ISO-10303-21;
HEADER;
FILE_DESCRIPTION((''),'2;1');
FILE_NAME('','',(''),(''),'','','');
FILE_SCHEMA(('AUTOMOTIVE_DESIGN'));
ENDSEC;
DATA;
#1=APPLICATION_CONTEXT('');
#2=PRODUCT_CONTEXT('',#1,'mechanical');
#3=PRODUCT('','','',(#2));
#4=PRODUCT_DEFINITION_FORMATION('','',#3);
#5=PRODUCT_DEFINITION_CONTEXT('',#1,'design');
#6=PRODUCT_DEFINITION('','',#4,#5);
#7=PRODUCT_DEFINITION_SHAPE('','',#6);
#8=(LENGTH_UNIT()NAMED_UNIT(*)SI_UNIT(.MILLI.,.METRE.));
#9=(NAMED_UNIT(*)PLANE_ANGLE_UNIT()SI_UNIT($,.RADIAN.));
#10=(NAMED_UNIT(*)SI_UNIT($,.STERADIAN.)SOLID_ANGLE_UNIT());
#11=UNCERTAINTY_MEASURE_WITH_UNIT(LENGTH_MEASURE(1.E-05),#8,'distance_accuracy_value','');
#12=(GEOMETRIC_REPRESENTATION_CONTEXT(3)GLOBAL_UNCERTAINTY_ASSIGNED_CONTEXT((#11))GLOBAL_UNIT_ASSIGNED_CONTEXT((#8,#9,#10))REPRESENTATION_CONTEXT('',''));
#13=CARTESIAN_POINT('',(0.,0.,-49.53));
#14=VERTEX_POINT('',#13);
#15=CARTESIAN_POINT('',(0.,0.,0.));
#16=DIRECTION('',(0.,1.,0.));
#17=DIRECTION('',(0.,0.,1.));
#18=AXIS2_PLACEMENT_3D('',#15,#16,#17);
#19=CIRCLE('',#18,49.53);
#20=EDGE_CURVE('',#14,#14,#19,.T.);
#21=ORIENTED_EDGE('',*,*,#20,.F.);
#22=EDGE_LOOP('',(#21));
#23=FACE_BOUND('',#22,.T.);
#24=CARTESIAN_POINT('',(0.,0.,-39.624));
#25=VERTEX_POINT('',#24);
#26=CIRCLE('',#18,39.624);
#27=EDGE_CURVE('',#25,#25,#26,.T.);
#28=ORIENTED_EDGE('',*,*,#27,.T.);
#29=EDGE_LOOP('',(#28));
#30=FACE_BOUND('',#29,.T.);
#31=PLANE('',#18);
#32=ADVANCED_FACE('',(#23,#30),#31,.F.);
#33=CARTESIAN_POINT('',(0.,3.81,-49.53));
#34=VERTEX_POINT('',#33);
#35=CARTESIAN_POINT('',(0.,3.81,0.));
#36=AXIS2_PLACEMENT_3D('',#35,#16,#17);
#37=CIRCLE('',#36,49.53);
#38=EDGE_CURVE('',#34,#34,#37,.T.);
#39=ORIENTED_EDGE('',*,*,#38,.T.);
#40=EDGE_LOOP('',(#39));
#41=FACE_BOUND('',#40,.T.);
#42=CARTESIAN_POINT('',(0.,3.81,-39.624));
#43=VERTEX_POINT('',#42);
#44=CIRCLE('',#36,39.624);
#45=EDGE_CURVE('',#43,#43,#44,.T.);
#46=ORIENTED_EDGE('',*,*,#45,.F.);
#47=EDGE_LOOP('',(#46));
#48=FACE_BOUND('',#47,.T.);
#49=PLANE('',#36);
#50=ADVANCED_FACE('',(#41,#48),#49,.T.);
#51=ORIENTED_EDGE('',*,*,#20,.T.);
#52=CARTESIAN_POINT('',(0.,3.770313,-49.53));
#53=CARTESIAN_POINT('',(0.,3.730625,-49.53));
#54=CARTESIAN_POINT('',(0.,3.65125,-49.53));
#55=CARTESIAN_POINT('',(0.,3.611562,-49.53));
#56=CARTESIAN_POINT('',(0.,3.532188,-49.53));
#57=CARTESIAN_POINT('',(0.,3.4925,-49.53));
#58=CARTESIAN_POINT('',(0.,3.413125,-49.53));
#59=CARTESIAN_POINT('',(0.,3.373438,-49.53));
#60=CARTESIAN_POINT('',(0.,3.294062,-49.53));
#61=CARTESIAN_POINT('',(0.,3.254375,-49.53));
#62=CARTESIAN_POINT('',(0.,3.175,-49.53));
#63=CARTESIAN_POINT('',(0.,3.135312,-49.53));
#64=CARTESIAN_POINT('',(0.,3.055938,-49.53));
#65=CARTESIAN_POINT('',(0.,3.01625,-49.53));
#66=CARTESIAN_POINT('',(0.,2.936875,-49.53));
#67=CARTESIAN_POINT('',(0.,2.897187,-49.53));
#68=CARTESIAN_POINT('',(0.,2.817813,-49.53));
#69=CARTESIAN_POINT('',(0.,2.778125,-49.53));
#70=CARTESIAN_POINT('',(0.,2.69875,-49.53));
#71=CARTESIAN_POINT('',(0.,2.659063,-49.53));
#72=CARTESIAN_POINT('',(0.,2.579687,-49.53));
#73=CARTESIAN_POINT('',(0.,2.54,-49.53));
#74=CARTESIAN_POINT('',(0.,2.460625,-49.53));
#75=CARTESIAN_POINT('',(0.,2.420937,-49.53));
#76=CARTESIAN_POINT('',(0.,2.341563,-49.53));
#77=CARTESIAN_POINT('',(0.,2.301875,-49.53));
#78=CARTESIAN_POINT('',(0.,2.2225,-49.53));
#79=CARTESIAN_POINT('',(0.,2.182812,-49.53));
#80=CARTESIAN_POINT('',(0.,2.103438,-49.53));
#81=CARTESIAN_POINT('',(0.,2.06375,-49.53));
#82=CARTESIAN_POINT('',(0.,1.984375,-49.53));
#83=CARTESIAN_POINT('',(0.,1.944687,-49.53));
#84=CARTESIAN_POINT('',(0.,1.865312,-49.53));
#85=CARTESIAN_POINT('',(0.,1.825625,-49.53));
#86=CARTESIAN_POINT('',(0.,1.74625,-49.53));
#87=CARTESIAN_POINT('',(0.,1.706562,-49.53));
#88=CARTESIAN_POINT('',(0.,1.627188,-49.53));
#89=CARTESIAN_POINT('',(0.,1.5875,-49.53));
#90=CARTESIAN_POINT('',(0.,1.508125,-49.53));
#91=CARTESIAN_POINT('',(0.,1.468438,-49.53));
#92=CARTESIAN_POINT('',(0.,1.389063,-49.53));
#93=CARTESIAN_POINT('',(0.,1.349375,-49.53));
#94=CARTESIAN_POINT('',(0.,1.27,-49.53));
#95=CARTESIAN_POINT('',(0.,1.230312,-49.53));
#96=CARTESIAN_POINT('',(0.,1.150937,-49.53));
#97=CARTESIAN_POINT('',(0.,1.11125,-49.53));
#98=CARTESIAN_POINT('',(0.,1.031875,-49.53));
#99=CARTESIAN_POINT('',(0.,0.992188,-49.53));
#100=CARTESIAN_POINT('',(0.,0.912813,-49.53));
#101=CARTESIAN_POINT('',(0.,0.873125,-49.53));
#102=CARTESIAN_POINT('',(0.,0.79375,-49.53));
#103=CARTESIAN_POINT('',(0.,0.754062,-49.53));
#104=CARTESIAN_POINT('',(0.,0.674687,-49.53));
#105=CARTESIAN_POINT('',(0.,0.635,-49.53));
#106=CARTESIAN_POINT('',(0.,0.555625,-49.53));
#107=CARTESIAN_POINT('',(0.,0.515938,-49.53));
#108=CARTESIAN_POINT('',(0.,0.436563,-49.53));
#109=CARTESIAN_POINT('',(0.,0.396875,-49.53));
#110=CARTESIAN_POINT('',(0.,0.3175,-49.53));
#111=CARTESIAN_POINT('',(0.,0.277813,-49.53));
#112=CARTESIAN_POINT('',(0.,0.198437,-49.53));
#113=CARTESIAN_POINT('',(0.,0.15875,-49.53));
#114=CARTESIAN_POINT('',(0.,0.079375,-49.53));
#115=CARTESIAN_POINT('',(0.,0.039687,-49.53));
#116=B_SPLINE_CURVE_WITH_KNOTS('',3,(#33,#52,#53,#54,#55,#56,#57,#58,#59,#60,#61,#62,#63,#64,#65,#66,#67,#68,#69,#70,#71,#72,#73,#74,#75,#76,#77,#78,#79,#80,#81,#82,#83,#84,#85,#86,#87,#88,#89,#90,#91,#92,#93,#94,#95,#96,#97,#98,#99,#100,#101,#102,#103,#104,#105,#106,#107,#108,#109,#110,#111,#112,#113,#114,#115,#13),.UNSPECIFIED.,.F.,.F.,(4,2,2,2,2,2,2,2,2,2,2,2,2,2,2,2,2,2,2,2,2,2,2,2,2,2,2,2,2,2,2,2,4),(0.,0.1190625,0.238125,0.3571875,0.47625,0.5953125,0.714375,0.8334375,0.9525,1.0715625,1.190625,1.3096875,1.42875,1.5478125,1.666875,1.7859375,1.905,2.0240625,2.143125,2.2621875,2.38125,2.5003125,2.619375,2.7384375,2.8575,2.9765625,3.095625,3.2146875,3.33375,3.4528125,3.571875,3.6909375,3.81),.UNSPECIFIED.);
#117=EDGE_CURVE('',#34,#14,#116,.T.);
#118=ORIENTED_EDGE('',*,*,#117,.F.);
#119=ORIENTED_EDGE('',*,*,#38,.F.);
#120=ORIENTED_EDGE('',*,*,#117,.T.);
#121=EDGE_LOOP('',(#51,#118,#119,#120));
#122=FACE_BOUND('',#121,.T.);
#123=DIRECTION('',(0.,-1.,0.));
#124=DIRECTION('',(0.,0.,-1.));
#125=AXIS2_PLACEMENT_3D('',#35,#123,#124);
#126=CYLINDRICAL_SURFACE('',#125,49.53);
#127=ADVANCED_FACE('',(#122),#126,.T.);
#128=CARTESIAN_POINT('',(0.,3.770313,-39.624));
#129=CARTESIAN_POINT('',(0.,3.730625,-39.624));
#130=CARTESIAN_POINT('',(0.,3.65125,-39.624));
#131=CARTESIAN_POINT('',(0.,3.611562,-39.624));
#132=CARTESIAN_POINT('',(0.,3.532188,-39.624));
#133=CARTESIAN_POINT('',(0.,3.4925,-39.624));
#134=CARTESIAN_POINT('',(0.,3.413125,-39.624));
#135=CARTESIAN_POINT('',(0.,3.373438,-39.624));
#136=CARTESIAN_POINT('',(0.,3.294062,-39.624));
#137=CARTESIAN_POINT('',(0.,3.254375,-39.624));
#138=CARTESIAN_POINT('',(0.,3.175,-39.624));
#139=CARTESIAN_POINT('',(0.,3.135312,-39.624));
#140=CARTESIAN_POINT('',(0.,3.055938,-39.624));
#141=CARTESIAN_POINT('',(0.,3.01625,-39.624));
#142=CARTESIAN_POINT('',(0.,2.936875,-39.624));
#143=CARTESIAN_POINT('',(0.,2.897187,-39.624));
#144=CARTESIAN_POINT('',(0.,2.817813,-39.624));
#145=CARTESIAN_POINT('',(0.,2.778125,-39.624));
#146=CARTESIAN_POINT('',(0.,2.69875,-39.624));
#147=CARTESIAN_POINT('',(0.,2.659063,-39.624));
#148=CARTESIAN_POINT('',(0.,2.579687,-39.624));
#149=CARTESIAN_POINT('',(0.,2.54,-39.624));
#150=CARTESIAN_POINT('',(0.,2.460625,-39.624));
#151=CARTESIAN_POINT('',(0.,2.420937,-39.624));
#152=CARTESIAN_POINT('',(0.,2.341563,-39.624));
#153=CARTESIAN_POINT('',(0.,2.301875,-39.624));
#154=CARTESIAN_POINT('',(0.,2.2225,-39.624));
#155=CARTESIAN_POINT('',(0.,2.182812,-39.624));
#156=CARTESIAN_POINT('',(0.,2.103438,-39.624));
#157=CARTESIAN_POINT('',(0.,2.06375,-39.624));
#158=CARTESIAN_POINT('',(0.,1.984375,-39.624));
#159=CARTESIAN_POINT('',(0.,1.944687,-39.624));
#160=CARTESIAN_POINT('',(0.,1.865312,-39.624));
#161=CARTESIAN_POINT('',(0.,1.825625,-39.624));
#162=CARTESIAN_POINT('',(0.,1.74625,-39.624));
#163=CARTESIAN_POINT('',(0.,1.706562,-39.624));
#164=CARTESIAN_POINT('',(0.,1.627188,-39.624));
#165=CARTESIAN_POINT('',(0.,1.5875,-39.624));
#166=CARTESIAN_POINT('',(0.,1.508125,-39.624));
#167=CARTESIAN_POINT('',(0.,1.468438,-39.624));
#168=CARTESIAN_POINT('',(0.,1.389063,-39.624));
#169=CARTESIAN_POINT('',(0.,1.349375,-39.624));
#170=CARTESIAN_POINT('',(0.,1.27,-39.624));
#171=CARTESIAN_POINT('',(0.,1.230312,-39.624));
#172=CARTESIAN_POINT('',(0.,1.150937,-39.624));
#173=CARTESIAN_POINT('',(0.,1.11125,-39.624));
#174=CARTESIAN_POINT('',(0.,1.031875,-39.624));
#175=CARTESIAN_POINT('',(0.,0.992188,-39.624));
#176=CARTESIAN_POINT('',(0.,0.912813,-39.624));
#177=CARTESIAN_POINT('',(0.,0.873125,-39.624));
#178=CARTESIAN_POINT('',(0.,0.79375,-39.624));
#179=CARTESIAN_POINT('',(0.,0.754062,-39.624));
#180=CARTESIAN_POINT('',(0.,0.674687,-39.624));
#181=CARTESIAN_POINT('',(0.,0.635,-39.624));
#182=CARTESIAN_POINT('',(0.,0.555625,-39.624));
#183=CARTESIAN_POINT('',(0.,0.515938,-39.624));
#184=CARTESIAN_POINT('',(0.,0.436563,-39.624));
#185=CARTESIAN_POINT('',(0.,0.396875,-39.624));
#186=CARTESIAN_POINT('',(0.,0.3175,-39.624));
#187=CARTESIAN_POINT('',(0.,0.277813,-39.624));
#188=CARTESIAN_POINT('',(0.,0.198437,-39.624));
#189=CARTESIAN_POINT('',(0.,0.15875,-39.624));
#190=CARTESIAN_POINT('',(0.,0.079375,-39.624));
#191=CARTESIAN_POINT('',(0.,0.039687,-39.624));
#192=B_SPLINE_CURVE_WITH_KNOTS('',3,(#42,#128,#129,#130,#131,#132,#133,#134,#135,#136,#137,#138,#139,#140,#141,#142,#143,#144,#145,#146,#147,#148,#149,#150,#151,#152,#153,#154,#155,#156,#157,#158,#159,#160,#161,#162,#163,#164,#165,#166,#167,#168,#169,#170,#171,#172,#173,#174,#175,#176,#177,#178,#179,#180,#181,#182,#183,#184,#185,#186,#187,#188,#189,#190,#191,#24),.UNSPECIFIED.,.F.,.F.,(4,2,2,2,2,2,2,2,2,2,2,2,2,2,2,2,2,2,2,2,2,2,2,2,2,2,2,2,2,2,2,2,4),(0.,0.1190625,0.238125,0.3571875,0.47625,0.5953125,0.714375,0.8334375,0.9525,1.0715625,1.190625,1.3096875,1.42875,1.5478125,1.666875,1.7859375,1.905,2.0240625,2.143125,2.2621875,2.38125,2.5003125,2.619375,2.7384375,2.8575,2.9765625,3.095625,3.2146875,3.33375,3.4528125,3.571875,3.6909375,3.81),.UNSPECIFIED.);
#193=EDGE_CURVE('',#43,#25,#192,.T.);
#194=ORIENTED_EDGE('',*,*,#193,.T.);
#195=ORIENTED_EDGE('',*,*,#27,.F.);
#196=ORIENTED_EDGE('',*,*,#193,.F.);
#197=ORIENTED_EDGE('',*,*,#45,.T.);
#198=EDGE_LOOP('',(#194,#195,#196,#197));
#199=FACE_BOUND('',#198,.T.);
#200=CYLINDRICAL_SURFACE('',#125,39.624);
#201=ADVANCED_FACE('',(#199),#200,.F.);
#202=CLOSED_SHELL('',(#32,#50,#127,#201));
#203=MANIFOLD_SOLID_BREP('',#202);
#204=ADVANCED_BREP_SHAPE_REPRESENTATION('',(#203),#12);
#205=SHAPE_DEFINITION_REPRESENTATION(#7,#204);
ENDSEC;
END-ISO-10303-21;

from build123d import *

# Parameters (mm, degrees)
SKETCH2_R           = 49.53
SKETCH2_R_2         = 39.624
BOSS_EXTRUDE1_DEPTH = 3.81


with BuildPart() as part:
    # Sketch2 → Boss-Extrude1 (new body)
    with BuildSketch(Plane(origin=(0, 0, 0), x_dir=(1, 0, 0), z_dir=(0, 1, 0))):
        with Locations(Location((0, 0, 0), (0, 0, 90))):
            Circle(SKETCH2_R)
        with Locations(Location((0, 0, 0), (0, 0, 90))):
            Circle(SKETCH2_R_2, mode=Mode.SUBTRACT)
    extrude(amount=BOSS_EXTRUDE1_DEPTH)


solid = part.part
